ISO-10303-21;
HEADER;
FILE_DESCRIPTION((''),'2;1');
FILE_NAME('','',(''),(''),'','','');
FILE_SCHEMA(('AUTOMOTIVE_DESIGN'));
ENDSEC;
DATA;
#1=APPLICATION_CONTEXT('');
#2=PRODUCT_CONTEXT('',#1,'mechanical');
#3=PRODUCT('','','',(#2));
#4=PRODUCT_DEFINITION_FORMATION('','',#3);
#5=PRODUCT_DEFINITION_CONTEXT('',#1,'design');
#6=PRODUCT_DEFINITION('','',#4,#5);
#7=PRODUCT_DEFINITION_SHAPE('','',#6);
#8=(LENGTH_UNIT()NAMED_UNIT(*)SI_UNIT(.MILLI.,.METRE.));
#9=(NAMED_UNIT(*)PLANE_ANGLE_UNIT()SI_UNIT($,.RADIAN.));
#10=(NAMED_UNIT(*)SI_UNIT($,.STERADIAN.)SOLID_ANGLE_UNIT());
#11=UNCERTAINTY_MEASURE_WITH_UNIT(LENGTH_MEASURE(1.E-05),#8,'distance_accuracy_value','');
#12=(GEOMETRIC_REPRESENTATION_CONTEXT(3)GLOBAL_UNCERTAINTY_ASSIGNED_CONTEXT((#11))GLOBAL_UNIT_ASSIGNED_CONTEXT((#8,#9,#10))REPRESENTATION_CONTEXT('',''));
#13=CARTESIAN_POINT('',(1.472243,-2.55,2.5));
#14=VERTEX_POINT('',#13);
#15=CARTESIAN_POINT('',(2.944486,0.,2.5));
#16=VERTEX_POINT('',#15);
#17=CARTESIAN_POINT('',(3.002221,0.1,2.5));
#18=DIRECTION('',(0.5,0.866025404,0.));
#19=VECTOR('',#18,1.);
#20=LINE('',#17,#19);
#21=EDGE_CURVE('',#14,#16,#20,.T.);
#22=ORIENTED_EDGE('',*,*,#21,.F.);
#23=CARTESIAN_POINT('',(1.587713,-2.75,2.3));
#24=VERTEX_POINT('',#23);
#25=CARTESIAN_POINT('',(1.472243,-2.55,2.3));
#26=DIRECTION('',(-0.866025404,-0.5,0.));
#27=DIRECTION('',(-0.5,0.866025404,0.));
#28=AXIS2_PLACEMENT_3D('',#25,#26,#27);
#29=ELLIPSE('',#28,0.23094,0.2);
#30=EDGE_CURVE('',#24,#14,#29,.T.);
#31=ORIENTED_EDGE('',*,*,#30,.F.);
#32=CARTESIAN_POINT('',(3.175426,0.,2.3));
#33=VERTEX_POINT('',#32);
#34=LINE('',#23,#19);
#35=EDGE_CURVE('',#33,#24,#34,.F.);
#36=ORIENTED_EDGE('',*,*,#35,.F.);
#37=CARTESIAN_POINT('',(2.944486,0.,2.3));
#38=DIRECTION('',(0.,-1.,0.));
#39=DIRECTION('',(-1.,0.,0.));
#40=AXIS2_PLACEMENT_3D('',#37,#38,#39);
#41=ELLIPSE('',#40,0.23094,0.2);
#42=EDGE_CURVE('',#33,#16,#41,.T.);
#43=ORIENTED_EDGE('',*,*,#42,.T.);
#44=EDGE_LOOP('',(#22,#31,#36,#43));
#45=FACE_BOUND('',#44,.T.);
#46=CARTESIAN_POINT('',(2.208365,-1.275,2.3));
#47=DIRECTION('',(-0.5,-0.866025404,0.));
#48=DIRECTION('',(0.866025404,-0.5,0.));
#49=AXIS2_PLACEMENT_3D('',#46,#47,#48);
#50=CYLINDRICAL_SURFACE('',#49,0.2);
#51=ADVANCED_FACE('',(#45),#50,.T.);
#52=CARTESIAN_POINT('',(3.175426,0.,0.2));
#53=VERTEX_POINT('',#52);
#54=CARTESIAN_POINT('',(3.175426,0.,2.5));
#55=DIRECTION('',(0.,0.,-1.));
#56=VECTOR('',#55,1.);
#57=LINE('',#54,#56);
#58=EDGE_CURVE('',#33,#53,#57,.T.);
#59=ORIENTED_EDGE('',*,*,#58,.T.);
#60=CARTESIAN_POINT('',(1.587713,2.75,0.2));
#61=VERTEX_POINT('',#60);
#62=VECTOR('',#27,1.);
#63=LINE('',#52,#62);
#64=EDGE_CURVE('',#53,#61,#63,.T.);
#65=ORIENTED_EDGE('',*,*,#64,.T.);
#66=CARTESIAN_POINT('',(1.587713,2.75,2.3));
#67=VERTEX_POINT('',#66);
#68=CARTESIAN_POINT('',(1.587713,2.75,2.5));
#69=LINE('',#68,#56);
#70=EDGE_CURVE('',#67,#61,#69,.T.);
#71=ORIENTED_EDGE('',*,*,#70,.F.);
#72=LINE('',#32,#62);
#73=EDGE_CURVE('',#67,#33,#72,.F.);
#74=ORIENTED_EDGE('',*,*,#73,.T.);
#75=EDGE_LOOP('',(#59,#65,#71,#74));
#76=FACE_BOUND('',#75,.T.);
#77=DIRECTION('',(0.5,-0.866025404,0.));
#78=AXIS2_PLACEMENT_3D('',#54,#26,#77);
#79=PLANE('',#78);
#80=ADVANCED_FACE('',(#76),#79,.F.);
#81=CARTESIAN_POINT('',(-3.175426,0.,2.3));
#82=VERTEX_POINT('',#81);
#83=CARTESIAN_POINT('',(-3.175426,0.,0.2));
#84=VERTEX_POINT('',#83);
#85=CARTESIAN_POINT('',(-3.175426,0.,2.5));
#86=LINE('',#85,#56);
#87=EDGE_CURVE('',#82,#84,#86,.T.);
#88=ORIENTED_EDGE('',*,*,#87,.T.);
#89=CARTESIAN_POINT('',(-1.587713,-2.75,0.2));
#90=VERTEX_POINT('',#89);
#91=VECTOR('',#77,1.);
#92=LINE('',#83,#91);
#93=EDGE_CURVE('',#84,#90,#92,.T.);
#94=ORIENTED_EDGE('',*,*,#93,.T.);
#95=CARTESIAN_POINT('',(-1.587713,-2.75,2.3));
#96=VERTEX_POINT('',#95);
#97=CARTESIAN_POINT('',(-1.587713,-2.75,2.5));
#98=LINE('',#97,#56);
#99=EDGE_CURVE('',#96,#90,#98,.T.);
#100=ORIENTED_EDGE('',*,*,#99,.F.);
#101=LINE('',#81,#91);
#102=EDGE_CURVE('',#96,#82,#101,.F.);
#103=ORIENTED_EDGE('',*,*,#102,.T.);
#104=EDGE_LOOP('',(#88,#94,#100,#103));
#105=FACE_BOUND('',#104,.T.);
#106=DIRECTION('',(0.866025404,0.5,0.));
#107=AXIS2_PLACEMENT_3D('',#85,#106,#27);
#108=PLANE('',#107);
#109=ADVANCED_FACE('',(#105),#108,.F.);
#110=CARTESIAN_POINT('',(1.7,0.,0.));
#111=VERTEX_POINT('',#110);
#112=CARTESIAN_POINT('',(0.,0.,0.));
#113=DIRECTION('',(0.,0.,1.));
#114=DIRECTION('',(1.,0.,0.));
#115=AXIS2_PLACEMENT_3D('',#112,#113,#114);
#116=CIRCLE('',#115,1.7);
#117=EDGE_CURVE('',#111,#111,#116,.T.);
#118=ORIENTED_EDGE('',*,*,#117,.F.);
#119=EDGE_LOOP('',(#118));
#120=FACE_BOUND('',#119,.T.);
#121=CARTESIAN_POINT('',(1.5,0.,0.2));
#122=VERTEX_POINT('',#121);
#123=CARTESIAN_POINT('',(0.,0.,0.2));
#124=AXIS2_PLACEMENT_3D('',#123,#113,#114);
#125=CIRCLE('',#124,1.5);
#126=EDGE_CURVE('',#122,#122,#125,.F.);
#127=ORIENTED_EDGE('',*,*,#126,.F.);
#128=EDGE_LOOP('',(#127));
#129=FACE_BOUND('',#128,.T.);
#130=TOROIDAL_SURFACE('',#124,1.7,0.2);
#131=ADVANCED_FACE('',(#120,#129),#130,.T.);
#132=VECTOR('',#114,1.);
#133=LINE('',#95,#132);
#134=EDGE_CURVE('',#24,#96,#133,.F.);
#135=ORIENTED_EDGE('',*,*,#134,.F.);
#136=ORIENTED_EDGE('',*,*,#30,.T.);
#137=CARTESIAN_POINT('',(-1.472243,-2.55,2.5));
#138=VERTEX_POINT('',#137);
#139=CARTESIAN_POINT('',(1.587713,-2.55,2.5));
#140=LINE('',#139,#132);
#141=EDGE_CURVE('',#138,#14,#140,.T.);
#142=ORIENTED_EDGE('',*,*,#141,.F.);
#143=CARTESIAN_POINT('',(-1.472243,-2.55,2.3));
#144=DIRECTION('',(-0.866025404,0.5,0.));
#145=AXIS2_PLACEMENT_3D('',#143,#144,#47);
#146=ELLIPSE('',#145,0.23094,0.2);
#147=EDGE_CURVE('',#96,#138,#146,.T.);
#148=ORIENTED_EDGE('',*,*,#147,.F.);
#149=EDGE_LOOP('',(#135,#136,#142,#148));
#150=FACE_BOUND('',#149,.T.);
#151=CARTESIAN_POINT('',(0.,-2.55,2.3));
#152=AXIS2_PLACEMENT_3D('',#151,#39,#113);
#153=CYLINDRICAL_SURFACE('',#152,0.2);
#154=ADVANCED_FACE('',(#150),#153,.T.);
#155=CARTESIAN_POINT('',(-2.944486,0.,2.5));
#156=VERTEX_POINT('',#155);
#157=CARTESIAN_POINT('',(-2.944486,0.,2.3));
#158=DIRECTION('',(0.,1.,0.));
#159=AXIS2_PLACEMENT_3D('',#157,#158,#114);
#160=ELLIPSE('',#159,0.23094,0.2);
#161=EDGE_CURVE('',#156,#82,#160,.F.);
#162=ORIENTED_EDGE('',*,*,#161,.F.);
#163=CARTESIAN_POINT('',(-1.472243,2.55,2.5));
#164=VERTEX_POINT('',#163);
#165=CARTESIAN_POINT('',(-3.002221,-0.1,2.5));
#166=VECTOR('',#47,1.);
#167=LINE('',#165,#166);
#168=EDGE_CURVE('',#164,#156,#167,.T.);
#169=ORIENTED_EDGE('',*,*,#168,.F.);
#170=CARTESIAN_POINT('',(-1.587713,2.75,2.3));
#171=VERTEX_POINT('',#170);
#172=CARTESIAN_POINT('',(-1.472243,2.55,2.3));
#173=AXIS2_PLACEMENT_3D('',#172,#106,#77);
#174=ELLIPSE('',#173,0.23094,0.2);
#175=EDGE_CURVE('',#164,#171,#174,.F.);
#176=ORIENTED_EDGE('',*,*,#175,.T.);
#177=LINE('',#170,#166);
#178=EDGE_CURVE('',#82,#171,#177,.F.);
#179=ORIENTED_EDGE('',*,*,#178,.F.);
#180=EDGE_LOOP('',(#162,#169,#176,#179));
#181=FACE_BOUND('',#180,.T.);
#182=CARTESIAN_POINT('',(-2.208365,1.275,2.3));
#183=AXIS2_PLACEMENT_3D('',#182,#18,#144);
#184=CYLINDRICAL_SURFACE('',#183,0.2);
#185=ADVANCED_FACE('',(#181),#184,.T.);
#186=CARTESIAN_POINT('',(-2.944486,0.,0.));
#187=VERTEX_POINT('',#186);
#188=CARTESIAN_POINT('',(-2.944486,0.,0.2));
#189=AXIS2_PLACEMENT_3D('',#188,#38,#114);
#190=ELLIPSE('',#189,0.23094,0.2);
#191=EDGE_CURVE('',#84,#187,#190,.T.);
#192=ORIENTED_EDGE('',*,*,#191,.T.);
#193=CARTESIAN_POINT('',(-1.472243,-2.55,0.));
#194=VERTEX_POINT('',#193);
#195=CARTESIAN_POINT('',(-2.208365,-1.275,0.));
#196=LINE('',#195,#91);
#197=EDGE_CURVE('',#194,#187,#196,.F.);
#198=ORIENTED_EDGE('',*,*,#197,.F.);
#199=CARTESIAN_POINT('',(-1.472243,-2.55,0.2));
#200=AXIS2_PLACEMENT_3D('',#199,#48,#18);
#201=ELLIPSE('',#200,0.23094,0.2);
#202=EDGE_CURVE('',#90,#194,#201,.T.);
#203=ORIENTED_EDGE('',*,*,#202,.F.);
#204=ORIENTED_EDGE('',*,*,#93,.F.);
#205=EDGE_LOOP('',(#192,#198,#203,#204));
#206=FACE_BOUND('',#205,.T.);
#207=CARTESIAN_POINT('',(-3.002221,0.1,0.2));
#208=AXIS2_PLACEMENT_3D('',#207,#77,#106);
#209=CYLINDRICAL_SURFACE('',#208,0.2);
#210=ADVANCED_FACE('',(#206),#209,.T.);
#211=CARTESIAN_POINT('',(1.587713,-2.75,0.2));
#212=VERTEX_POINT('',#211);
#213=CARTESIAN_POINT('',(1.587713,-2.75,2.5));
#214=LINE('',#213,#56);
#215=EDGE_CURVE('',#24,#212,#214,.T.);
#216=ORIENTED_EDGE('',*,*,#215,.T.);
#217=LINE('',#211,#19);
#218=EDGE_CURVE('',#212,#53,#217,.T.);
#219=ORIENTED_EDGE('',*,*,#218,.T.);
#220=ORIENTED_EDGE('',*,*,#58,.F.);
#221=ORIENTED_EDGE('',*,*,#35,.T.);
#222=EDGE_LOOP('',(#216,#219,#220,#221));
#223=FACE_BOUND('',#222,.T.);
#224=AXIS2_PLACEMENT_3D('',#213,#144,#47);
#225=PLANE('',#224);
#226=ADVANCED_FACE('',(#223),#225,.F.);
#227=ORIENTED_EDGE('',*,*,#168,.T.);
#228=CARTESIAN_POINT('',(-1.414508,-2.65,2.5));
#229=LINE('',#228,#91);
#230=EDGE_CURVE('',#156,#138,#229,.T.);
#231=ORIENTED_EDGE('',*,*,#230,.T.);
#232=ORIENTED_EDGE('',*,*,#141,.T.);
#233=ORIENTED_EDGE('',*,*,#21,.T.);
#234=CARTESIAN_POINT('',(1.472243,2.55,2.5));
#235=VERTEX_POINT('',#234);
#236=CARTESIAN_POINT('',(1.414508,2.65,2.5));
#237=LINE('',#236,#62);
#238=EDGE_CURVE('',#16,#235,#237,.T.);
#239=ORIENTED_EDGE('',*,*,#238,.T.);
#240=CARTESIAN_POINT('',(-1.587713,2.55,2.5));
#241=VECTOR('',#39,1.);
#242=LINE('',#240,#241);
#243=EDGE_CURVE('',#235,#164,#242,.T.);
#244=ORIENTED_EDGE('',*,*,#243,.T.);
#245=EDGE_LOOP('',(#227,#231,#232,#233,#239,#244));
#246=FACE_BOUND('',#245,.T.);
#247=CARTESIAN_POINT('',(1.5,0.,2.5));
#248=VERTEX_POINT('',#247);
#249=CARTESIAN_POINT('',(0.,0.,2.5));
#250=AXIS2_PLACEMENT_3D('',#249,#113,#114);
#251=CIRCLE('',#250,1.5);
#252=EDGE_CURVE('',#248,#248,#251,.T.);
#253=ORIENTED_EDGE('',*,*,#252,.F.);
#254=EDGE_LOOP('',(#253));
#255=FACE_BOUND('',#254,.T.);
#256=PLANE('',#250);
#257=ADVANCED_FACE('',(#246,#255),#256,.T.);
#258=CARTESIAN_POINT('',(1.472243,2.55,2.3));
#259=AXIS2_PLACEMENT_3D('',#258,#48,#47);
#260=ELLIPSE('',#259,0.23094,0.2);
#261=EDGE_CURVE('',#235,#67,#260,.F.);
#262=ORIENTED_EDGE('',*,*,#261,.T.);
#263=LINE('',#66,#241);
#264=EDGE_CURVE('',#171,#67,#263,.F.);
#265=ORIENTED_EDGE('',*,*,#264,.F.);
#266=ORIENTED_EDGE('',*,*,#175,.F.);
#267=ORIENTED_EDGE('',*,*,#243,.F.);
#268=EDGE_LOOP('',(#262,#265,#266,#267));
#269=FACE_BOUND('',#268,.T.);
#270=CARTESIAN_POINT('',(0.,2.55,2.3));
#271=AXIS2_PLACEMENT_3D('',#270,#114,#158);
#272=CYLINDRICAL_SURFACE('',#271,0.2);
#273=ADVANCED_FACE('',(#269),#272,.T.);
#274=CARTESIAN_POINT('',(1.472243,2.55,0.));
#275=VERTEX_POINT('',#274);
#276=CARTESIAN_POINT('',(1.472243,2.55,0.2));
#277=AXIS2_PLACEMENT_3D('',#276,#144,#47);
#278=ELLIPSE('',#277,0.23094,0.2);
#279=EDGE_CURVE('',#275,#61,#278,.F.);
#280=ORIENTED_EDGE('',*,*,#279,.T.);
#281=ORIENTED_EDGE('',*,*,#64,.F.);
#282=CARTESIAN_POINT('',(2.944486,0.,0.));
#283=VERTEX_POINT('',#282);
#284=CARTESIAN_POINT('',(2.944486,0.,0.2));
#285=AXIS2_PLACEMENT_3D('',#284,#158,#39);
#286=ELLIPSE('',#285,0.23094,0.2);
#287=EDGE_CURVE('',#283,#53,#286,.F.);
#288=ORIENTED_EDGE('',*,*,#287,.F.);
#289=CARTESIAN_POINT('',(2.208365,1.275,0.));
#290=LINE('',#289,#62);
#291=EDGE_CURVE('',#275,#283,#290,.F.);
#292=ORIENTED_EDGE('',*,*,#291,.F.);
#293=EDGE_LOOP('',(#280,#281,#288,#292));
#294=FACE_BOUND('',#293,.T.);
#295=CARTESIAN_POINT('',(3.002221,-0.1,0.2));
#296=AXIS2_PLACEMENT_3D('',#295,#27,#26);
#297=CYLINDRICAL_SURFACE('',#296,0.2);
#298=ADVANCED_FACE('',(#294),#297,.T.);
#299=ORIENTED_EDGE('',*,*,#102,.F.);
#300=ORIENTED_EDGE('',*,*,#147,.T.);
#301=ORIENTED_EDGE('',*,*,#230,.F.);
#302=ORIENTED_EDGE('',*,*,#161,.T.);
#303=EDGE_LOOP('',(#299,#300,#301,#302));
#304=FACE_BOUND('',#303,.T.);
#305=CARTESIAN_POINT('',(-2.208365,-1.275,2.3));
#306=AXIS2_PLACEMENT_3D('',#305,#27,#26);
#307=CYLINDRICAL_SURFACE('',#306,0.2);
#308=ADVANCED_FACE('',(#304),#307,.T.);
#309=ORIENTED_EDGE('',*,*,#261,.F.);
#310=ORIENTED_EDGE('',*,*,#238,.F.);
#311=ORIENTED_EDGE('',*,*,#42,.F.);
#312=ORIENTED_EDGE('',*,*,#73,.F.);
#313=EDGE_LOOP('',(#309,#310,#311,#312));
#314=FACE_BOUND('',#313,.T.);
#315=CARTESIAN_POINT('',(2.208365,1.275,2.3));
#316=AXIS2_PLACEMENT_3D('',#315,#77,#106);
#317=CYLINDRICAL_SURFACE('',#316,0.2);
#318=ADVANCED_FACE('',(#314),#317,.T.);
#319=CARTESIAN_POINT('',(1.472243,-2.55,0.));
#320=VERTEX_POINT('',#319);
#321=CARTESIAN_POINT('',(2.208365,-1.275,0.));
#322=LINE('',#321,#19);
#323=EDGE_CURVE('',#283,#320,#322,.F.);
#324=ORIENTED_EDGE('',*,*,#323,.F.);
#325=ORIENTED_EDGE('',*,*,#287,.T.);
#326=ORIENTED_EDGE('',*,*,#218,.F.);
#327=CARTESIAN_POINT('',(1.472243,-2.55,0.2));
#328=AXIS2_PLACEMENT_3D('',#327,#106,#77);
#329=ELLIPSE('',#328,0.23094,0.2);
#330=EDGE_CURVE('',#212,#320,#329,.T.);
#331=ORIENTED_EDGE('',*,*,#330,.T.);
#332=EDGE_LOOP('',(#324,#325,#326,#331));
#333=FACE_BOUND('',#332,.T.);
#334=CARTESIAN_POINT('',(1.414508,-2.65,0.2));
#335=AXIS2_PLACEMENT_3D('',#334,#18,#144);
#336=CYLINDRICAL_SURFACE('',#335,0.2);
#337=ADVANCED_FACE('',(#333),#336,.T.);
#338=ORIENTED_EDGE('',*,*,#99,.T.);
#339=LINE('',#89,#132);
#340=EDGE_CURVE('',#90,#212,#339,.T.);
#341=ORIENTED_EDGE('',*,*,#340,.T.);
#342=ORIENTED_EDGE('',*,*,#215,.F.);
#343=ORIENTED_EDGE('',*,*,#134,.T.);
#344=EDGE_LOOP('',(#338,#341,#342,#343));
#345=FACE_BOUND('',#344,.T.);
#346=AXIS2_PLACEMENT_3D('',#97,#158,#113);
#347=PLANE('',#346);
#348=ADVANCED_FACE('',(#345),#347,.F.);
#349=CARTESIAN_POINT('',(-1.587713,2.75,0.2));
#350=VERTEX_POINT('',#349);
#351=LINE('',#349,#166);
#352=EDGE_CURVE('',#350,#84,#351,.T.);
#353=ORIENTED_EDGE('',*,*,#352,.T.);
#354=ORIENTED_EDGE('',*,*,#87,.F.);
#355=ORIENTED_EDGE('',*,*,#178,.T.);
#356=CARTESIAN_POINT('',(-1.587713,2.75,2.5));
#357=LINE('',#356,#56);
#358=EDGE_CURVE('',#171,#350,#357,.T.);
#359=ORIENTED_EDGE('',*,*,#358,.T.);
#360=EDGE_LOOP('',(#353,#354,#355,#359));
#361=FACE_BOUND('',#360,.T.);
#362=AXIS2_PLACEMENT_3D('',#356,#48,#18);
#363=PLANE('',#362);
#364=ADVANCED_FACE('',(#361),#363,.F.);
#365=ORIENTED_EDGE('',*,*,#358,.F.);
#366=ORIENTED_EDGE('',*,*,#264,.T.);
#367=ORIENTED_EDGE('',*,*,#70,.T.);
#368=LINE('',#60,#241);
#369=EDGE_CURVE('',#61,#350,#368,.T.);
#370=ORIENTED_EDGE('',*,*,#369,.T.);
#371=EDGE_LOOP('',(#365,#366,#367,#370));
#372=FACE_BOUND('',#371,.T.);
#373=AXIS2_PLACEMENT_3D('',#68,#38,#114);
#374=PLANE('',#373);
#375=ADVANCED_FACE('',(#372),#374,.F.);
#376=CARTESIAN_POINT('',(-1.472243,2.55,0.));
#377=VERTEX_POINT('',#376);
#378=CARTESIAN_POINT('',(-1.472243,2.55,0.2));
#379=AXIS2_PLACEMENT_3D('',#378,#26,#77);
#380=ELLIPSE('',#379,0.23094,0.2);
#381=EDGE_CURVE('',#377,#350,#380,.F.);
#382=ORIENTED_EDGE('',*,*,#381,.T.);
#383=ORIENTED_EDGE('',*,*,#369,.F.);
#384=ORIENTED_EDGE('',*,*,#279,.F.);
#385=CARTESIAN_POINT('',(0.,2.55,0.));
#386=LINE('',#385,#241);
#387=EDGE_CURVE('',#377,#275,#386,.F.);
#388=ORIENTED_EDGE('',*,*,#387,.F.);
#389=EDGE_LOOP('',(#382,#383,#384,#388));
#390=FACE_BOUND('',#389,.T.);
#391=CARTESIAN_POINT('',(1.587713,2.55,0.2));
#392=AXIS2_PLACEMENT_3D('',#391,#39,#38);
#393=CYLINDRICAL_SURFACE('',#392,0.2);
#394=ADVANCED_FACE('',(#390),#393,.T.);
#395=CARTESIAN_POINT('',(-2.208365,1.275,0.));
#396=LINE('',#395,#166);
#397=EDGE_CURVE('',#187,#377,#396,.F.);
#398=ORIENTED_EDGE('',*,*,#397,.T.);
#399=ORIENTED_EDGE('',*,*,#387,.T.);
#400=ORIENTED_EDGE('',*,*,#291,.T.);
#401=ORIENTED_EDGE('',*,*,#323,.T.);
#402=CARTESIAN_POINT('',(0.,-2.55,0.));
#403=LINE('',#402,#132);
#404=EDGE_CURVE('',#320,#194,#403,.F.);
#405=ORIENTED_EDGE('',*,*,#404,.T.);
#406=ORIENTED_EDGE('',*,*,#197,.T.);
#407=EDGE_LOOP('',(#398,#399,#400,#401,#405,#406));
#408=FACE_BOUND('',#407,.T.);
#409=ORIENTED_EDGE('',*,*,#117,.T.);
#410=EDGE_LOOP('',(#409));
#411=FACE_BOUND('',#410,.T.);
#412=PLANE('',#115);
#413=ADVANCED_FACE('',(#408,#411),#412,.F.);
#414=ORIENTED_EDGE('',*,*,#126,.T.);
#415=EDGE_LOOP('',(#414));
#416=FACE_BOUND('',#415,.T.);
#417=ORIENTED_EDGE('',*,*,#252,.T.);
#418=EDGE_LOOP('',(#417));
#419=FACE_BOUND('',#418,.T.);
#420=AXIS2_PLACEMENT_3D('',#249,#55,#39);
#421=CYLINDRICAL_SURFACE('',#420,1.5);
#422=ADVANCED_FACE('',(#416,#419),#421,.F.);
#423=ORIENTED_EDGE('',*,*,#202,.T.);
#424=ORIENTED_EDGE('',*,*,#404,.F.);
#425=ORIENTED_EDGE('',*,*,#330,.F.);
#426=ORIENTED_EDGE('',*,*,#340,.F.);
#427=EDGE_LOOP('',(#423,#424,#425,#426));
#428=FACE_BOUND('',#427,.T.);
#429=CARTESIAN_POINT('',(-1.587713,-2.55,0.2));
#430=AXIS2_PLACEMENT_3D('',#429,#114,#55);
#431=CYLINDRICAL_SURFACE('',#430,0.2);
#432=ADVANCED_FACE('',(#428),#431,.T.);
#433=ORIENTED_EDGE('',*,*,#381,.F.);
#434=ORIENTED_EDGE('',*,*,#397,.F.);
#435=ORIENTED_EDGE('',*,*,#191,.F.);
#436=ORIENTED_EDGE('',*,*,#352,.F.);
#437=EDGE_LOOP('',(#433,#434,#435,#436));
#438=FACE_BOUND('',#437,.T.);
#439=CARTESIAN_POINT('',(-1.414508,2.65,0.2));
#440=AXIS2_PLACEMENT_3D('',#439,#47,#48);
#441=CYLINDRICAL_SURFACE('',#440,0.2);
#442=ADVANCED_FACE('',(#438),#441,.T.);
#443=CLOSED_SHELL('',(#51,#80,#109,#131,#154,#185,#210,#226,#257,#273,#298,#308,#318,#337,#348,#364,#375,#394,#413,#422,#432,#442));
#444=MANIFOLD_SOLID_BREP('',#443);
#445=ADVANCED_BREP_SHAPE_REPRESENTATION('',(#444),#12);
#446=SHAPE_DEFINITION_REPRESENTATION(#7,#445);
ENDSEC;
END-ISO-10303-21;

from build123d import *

# Parameters (mm, degrees)
SKETCH_1_R      = 1.5
EXTRUDE_1_DEPTH = 2.5
FILLET_1_R      = 0.2


with BuildPart() as part:
    # 草图1 → 凸台-拉伸1 (new body)
    with BuildSketch(Plane.XY):
        Polygon((1.58771324, -2.75), (3.175426481, 0), (1.58771324, 2.75), (-1.58771324, 2.75), (-3.175426481, 0), (-1.58771324, -2.75), align=None)
        Circle(SKETCH_1_R, mode=Mode.SUBTRACT)
    extrude(amount=EXTRUDE_1_DEPTH)

    # 圆角1
    fillet_1_edges = [part.edges().sort_by_distance(p)[0] for p in [
        (2.38156986, 1.375, 2.5),
        (0, 2.75, 2.5),
        (-1.5, 0, 0),
        (-2.38156986, 1.375, 2.5),
        (-2.38156986, -1.375, 2.5),
        (0, -2.75, 2.5),
        (-2.38156986, -1.375, 0),
        (-2.38156986, 1.375, 0),
        (0, 2.75, 0),
        (2.38156986, 1.375, 0),
        (2.38156986, -1.375, 0),
        (0, -2.75, 0),
        (2.38156986, -1.375, 2.5),
    ]]
    fillet(fillet_1_edges, radius=FILLET_1_R)


solid = part.part
